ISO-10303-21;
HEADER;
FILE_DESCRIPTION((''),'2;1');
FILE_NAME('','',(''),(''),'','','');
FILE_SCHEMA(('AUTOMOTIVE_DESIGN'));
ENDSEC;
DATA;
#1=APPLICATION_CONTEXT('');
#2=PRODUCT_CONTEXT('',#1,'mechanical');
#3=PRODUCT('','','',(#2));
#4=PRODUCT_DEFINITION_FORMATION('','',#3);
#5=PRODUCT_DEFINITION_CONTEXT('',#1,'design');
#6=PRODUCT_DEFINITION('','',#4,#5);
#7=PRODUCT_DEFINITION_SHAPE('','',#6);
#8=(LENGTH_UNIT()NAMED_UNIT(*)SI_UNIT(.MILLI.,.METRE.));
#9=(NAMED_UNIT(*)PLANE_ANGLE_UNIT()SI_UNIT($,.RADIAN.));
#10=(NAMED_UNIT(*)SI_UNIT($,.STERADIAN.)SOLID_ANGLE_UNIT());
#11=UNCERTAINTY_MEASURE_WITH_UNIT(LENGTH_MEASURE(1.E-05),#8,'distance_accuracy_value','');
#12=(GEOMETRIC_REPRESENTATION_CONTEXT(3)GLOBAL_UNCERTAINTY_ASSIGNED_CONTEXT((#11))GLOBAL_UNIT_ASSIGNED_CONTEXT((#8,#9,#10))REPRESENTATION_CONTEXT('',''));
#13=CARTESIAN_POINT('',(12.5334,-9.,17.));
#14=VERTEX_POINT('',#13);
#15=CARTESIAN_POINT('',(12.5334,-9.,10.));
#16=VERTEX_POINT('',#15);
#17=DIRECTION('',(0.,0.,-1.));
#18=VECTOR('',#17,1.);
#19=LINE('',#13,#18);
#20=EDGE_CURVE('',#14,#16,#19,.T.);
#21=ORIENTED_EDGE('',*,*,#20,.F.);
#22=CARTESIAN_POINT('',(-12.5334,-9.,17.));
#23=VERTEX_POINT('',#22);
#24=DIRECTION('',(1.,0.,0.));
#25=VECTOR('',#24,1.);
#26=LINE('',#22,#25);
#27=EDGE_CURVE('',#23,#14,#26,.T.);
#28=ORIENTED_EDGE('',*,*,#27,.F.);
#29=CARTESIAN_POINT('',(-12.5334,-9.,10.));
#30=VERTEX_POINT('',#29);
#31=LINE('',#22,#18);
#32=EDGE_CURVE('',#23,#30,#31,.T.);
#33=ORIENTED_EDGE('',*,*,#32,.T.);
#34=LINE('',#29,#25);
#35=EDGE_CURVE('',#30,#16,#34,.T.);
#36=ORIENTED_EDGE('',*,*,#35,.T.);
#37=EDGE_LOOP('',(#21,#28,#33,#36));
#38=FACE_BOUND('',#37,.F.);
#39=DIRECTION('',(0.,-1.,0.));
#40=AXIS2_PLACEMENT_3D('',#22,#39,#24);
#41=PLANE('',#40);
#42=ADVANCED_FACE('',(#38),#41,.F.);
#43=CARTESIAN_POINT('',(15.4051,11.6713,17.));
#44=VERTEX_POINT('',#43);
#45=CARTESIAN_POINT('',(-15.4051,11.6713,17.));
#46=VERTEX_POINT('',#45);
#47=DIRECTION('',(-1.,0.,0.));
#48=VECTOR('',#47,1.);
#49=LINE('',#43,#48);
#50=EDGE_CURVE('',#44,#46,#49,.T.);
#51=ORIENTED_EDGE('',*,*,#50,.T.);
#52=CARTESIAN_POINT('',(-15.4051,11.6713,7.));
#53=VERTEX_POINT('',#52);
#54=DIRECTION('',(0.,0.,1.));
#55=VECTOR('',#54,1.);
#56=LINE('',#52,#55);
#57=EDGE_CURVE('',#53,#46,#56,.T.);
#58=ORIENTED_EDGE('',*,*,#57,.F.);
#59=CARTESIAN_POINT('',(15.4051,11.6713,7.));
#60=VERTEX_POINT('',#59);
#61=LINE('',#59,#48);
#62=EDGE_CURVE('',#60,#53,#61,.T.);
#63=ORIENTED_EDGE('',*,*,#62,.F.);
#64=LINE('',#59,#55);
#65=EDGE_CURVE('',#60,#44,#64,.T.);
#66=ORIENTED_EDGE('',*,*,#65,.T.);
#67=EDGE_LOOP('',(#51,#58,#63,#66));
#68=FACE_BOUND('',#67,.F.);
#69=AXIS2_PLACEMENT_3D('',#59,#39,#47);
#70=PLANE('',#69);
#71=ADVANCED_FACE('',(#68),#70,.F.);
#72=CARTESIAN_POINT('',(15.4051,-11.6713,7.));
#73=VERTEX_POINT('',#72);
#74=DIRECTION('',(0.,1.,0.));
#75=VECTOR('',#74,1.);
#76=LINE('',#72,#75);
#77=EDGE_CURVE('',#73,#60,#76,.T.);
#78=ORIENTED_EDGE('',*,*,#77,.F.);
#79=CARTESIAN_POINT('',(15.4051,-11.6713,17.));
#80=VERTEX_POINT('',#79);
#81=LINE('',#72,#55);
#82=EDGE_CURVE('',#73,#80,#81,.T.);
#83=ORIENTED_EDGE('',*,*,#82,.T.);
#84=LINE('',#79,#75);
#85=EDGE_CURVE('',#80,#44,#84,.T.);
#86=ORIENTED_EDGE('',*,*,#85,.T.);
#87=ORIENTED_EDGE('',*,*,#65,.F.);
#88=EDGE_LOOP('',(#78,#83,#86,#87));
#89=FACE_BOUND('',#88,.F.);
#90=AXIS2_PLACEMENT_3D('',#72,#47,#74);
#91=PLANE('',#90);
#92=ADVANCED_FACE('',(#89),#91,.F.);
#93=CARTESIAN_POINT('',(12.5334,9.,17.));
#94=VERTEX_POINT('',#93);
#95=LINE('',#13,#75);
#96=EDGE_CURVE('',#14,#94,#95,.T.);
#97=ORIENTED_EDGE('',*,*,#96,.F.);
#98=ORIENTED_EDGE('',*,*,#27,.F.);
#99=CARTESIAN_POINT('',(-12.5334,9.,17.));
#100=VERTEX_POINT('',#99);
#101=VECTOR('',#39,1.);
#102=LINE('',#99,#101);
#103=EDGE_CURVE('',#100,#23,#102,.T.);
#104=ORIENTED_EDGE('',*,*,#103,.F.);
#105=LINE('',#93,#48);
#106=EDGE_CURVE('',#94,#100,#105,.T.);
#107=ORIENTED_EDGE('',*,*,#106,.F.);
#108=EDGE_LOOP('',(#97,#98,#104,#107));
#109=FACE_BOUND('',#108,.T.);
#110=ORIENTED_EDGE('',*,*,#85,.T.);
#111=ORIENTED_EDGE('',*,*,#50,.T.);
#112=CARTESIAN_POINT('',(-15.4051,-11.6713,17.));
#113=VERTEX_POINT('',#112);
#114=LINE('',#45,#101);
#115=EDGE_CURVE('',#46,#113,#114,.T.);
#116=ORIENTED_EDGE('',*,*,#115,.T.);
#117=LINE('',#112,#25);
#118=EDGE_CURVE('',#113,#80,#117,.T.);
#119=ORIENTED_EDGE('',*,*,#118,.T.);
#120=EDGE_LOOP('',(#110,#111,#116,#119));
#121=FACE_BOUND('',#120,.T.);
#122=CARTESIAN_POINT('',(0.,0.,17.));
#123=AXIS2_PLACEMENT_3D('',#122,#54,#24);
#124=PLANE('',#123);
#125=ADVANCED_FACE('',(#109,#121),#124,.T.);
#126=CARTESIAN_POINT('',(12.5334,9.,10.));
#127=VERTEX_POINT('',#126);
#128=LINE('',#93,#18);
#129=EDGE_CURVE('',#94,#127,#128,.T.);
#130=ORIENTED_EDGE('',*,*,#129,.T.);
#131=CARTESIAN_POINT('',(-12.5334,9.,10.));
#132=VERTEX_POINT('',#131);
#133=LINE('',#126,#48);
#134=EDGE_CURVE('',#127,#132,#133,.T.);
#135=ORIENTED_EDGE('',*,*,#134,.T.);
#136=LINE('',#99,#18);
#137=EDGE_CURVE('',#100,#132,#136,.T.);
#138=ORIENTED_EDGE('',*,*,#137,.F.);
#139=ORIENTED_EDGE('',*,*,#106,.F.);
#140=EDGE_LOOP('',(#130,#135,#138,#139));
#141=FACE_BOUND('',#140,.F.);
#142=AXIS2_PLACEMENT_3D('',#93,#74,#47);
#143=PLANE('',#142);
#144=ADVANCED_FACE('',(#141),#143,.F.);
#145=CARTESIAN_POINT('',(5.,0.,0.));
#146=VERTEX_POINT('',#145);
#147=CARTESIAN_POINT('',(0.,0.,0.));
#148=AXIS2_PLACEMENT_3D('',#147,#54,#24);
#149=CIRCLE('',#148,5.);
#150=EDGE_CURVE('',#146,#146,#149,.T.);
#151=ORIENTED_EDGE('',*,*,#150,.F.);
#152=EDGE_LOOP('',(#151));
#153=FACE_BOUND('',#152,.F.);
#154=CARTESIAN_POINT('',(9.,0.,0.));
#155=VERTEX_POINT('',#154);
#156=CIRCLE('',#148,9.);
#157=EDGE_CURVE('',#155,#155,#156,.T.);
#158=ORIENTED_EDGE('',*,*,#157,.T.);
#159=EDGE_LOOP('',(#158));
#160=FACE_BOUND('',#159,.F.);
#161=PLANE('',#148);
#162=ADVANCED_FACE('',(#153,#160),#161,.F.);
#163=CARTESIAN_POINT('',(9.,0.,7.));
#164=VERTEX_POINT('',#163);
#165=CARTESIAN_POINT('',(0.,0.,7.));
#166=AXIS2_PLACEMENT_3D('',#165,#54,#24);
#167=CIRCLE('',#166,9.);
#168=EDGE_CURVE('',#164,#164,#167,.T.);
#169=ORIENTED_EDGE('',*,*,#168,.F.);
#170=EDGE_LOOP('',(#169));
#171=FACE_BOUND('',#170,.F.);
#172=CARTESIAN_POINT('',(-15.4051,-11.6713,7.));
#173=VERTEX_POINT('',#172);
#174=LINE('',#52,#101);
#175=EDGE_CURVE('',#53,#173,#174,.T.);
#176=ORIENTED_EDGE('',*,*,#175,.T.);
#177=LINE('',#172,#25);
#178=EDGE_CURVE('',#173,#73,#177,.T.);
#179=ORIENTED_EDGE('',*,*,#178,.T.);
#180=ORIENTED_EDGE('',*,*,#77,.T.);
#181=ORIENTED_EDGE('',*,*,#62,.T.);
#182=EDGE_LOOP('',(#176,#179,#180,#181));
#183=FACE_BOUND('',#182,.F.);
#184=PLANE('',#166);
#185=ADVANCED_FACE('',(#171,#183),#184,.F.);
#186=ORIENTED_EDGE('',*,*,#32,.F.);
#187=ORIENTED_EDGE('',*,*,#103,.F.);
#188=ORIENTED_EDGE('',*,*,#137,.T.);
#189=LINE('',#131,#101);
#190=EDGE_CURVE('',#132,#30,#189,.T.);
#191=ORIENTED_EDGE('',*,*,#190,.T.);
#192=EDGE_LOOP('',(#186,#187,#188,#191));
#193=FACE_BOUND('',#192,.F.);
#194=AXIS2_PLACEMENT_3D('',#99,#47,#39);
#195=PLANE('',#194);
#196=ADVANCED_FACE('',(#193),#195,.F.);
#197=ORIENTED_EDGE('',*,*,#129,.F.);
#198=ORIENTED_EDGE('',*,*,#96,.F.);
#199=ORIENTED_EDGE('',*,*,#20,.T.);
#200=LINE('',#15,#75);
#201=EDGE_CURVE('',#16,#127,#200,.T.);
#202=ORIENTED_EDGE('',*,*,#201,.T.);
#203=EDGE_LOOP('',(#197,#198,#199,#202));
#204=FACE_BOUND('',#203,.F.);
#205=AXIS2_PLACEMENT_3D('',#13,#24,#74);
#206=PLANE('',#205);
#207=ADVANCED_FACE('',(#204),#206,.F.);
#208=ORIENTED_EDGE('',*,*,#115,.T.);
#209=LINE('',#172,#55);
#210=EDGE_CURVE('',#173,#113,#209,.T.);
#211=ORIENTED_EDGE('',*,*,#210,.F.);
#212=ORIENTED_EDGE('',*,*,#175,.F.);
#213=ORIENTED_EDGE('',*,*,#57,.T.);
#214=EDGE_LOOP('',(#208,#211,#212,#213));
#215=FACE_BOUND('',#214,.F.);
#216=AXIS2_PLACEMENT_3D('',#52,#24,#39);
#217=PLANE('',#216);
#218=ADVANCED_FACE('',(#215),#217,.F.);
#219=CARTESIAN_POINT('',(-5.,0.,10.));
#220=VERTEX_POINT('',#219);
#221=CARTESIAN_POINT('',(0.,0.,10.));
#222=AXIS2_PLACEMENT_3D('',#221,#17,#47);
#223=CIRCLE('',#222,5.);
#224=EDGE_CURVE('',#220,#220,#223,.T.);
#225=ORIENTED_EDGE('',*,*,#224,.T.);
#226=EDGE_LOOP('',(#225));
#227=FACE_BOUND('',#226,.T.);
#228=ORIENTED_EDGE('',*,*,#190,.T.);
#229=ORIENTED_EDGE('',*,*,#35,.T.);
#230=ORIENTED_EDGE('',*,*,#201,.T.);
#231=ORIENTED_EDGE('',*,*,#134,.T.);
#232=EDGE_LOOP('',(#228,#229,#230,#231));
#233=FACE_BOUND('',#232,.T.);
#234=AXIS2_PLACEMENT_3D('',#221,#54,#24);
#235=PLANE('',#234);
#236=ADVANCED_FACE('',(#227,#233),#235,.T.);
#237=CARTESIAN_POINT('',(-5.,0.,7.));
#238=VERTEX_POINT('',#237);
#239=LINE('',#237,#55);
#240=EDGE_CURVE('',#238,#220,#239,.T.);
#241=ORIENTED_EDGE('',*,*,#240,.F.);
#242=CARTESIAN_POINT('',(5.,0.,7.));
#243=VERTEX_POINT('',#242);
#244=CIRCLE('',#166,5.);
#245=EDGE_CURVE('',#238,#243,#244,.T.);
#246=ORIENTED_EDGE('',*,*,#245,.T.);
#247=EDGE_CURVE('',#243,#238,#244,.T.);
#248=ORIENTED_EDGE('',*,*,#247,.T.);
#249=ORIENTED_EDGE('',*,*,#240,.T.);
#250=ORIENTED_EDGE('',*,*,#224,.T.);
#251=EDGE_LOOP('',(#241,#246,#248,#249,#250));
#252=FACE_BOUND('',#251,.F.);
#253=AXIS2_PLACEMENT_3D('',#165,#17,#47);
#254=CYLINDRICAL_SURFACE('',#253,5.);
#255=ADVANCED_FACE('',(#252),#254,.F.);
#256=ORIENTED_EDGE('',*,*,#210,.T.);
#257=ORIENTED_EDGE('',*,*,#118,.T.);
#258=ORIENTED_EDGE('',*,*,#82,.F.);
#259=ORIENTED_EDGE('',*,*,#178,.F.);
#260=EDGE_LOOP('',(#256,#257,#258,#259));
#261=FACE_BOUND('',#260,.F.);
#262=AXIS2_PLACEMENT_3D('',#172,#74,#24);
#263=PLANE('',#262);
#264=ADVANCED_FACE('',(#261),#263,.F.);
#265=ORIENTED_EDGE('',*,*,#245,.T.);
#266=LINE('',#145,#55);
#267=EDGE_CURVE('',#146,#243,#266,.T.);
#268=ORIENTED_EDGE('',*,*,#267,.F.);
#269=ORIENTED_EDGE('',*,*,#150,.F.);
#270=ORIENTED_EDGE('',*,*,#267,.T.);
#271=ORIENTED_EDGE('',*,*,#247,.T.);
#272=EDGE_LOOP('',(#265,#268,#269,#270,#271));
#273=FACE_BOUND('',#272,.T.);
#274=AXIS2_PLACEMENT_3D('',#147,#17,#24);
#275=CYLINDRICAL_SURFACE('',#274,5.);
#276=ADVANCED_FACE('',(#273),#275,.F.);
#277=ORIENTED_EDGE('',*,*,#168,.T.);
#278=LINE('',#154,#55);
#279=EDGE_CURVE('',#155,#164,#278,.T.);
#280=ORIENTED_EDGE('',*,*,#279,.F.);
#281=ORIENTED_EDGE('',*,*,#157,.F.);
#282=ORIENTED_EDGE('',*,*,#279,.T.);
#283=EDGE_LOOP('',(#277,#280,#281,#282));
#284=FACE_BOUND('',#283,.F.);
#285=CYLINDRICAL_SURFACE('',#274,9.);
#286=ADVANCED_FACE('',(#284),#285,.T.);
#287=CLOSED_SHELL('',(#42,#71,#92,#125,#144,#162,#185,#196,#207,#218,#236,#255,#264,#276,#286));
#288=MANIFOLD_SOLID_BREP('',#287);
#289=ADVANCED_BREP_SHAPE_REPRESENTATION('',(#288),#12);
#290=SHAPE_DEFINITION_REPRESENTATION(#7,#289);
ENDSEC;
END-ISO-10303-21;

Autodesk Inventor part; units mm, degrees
ref_plane "YZ Plane" through (0, 0, 0) normal (1, 0, 0) x (0, 1, 0)
ref_plane "XZ Plane" through (0, 0, 0) normal (0, 1, 0) x (-1, 0, 0)
ref_plane "XY Plane" through (0, 0, 0) normal (0, 0, 1) x (1, 0, 0)
sketch "Sketch1" plane through (0, 0, 0) normal (0, 0, 1) x (1, 0, 0)
  circle A0 centre (0, 0) radius 5
  circle A1 centre (0, 0) radius 9
  dimension "d0" = 10
  dimension "d1" = 18
extrude "Extrusion1" add sketch "Sketch1" along normal blind 7
thread "Thread1" size "M10x1.5" class "6H" standard "ANSI Metric M Profile" full length
sketch "Sketch13" plane through (0, 0, 7) normal (0, 0, 1) x (1, 0, 0)
  line L0 (-15.4051, -11.6713) -> (15.4051, -11.6713)
  line L1 (15.4051, -11.6713) -> (15.4051, 11.6713)
  line L2 (15.4051, 11.6713) -> (-15.4051, 11.6713)
  line L3 (-15.4051, 11.6713) -> (-15.4051, -11.6713)
  line L4 (-15.4051, -11.6713) -> (15.4051, 11.6713) construction
  line L5 (15.4051, -11.6713) -> (-15.4051, 11.6713) construction
  point P0 (0, 0)
  dimension "d50" = 30.8102
  dimension "d51" = 23.3426
extrude "Extrusion13" add sketch "Sketch13" along normal blind 10
sketch "Sketch14" plane through (0, 0, 17) normal (0, 0, 1) x (1, 0, 0)
  line L0 (-12.5334, -9) -> (12.5334, -9)
  line L1 (12.5334, -9) -> (12.5334, 9)
  line L2 (12.5334, 9) -> (-12.5334, 9)
  line L3 (-12.5334, 9) -> (-12.5334, -9)
  line L4 (-12.5334, -9) -> (12.5334, 9) construction
  line L5 (12.5334, -9) -> (-12.5334, 9) construction
  point P0 (0, 0)
extrude "Extrusion14" cut sketch "Sketch14" against normal blind 7
sketch "Sketch15" plane through (0, 0, 7) normal (0, 0, -1) x (-1, 0, 0)
  circle A0 centre (0, 0) radius 5
extrude "Extrusion15" cut sketch "Sketch15" against normal blind 7
properties part number "Newairtempguy"
